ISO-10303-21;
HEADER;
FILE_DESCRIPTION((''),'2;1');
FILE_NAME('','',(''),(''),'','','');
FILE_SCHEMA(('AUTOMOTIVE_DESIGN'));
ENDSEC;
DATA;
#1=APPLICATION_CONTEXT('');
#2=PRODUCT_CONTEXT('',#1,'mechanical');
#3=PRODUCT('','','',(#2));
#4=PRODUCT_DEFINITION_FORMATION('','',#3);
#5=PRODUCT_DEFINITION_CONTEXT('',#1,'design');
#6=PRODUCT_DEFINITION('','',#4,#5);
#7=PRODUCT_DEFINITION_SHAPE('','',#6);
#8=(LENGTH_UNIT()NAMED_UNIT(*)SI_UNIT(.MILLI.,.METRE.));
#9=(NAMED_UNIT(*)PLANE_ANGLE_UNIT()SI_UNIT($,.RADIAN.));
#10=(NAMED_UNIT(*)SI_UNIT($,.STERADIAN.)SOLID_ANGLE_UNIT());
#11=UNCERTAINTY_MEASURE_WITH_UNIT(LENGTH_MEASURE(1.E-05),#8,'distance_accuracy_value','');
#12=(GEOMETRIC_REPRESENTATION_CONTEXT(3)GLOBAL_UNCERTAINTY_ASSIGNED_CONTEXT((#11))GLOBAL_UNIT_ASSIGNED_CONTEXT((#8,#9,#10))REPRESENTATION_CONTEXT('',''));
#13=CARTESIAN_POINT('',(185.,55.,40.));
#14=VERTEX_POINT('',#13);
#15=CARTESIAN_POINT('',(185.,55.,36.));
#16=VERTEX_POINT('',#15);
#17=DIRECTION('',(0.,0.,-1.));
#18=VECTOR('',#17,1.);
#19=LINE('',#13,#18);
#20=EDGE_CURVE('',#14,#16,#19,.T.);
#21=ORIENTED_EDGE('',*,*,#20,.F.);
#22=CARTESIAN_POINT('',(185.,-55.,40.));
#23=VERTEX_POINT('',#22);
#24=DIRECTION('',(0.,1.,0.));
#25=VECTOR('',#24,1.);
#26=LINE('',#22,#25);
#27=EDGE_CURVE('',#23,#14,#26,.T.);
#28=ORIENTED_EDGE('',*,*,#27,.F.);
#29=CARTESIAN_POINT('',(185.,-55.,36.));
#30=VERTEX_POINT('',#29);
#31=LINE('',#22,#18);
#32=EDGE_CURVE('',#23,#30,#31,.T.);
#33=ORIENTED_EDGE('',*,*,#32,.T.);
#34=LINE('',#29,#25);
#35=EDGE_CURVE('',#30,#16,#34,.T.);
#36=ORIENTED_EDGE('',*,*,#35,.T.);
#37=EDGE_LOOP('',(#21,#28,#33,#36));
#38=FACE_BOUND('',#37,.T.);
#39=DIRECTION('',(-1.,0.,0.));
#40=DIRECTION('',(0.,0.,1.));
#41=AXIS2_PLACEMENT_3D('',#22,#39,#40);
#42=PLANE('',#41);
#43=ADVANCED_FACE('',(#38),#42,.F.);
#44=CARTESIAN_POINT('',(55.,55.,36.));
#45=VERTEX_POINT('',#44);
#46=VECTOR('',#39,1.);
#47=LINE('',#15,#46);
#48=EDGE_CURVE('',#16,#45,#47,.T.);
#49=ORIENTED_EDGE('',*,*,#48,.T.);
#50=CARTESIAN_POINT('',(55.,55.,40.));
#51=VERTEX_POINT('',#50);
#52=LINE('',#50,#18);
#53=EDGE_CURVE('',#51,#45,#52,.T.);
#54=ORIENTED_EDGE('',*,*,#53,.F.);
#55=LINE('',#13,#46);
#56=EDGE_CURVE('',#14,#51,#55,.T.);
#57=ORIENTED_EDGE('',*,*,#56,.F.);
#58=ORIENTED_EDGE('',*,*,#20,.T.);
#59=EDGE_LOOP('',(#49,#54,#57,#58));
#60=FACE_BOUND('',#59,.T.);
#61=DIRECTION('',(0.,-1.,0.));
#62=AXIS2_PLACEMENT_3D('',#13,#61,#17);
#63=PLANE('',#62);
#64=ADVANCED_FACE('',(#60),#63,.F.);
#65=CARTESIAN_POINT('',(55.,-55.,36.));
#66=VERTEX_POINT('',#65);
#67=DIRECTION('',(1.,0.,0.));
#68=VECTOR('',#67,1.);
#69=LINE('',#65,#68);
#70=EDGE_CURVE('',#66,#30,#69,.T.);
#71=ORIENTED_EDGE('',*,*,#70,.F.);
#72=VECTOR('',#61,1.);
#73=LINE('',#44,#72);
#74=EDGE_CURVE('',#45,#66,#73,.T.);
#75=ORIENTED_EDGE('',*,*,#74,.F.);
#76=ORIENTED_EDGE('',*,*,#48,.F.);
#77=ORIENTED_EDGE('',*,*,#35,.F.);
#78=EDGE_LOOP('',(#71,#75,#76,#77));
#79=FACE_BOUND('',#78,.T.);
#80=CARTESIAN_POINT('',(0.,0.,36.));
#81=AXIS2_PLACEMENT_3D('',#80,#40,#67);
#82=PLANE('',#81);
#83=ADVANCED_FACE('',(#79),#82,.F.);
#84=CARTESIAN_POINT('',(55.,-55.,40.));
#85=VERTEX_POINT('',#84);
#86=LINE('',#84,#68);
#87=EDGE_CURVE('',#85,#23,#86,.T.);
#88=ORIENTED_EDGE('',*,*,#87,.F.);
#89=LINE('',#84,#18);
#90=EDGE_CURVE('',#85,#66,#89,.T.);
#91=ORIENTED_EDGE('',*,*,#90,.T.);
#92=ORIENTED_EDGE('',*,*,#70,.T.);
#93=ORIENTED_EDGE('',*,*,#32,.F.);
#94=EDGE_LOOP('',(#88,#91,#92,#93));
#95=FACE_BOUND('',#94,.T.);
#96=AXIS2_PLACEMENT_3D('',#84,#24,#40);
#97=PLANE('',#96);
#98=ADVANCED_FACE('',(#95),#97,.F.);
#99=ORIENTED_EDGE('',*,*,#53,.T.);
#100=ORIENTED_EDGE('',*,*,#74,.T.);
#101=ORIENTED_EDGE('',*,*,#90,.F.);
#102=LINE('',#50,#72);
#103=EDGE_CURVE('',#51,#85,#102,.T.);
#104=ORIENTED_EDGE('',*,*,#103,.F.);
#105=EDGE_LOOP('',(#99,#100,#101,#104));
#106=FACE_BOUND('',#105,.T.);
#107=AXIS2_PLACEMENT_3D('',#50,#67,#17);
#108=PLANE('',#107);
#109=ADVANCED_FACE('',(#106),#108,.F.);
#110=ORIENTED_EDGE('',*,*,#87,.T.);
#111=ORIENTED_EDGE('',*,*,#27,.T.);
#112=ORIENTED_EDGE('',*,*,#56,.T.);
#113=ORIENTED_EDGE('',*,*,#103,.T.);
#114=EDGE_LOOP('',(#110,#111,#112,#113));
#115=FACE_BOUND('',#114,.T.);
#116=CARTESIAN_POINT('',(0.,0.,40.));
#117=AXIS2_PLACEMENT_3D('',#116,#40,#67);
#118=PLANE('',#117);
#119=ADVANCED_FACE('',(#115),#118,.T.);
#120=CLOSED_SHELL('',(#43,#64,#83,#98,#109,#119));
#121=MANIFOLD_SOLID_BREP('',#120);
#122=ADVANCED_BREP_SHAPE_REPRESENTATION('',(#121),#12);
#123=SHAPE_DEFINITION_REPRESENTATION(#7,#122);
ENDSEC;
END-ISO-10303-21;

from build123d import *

# Parameters (mm, degrees)
EXTRUDE_START      = 36
EXTRUDE_SKETCH_1_W = 130
EXTRUDE_SKETCH_1_H = 110
EXTRUDE_1_DEPTH    = 4


with BuildPart() as part:
    # Extrude sketch 1 → Extrude 1 (new body)
    with BuildSketch(Plane.XY.offset(EXTRUDE_START)):
        with Locations((120, 0)):
            Rectangle(EXTRUDE_SKETCH_1_W, EXTRUDE_SKETCH_1_H)
    extrude(amount=EXTRUDE_1_DEPTH)


solid = part.part
